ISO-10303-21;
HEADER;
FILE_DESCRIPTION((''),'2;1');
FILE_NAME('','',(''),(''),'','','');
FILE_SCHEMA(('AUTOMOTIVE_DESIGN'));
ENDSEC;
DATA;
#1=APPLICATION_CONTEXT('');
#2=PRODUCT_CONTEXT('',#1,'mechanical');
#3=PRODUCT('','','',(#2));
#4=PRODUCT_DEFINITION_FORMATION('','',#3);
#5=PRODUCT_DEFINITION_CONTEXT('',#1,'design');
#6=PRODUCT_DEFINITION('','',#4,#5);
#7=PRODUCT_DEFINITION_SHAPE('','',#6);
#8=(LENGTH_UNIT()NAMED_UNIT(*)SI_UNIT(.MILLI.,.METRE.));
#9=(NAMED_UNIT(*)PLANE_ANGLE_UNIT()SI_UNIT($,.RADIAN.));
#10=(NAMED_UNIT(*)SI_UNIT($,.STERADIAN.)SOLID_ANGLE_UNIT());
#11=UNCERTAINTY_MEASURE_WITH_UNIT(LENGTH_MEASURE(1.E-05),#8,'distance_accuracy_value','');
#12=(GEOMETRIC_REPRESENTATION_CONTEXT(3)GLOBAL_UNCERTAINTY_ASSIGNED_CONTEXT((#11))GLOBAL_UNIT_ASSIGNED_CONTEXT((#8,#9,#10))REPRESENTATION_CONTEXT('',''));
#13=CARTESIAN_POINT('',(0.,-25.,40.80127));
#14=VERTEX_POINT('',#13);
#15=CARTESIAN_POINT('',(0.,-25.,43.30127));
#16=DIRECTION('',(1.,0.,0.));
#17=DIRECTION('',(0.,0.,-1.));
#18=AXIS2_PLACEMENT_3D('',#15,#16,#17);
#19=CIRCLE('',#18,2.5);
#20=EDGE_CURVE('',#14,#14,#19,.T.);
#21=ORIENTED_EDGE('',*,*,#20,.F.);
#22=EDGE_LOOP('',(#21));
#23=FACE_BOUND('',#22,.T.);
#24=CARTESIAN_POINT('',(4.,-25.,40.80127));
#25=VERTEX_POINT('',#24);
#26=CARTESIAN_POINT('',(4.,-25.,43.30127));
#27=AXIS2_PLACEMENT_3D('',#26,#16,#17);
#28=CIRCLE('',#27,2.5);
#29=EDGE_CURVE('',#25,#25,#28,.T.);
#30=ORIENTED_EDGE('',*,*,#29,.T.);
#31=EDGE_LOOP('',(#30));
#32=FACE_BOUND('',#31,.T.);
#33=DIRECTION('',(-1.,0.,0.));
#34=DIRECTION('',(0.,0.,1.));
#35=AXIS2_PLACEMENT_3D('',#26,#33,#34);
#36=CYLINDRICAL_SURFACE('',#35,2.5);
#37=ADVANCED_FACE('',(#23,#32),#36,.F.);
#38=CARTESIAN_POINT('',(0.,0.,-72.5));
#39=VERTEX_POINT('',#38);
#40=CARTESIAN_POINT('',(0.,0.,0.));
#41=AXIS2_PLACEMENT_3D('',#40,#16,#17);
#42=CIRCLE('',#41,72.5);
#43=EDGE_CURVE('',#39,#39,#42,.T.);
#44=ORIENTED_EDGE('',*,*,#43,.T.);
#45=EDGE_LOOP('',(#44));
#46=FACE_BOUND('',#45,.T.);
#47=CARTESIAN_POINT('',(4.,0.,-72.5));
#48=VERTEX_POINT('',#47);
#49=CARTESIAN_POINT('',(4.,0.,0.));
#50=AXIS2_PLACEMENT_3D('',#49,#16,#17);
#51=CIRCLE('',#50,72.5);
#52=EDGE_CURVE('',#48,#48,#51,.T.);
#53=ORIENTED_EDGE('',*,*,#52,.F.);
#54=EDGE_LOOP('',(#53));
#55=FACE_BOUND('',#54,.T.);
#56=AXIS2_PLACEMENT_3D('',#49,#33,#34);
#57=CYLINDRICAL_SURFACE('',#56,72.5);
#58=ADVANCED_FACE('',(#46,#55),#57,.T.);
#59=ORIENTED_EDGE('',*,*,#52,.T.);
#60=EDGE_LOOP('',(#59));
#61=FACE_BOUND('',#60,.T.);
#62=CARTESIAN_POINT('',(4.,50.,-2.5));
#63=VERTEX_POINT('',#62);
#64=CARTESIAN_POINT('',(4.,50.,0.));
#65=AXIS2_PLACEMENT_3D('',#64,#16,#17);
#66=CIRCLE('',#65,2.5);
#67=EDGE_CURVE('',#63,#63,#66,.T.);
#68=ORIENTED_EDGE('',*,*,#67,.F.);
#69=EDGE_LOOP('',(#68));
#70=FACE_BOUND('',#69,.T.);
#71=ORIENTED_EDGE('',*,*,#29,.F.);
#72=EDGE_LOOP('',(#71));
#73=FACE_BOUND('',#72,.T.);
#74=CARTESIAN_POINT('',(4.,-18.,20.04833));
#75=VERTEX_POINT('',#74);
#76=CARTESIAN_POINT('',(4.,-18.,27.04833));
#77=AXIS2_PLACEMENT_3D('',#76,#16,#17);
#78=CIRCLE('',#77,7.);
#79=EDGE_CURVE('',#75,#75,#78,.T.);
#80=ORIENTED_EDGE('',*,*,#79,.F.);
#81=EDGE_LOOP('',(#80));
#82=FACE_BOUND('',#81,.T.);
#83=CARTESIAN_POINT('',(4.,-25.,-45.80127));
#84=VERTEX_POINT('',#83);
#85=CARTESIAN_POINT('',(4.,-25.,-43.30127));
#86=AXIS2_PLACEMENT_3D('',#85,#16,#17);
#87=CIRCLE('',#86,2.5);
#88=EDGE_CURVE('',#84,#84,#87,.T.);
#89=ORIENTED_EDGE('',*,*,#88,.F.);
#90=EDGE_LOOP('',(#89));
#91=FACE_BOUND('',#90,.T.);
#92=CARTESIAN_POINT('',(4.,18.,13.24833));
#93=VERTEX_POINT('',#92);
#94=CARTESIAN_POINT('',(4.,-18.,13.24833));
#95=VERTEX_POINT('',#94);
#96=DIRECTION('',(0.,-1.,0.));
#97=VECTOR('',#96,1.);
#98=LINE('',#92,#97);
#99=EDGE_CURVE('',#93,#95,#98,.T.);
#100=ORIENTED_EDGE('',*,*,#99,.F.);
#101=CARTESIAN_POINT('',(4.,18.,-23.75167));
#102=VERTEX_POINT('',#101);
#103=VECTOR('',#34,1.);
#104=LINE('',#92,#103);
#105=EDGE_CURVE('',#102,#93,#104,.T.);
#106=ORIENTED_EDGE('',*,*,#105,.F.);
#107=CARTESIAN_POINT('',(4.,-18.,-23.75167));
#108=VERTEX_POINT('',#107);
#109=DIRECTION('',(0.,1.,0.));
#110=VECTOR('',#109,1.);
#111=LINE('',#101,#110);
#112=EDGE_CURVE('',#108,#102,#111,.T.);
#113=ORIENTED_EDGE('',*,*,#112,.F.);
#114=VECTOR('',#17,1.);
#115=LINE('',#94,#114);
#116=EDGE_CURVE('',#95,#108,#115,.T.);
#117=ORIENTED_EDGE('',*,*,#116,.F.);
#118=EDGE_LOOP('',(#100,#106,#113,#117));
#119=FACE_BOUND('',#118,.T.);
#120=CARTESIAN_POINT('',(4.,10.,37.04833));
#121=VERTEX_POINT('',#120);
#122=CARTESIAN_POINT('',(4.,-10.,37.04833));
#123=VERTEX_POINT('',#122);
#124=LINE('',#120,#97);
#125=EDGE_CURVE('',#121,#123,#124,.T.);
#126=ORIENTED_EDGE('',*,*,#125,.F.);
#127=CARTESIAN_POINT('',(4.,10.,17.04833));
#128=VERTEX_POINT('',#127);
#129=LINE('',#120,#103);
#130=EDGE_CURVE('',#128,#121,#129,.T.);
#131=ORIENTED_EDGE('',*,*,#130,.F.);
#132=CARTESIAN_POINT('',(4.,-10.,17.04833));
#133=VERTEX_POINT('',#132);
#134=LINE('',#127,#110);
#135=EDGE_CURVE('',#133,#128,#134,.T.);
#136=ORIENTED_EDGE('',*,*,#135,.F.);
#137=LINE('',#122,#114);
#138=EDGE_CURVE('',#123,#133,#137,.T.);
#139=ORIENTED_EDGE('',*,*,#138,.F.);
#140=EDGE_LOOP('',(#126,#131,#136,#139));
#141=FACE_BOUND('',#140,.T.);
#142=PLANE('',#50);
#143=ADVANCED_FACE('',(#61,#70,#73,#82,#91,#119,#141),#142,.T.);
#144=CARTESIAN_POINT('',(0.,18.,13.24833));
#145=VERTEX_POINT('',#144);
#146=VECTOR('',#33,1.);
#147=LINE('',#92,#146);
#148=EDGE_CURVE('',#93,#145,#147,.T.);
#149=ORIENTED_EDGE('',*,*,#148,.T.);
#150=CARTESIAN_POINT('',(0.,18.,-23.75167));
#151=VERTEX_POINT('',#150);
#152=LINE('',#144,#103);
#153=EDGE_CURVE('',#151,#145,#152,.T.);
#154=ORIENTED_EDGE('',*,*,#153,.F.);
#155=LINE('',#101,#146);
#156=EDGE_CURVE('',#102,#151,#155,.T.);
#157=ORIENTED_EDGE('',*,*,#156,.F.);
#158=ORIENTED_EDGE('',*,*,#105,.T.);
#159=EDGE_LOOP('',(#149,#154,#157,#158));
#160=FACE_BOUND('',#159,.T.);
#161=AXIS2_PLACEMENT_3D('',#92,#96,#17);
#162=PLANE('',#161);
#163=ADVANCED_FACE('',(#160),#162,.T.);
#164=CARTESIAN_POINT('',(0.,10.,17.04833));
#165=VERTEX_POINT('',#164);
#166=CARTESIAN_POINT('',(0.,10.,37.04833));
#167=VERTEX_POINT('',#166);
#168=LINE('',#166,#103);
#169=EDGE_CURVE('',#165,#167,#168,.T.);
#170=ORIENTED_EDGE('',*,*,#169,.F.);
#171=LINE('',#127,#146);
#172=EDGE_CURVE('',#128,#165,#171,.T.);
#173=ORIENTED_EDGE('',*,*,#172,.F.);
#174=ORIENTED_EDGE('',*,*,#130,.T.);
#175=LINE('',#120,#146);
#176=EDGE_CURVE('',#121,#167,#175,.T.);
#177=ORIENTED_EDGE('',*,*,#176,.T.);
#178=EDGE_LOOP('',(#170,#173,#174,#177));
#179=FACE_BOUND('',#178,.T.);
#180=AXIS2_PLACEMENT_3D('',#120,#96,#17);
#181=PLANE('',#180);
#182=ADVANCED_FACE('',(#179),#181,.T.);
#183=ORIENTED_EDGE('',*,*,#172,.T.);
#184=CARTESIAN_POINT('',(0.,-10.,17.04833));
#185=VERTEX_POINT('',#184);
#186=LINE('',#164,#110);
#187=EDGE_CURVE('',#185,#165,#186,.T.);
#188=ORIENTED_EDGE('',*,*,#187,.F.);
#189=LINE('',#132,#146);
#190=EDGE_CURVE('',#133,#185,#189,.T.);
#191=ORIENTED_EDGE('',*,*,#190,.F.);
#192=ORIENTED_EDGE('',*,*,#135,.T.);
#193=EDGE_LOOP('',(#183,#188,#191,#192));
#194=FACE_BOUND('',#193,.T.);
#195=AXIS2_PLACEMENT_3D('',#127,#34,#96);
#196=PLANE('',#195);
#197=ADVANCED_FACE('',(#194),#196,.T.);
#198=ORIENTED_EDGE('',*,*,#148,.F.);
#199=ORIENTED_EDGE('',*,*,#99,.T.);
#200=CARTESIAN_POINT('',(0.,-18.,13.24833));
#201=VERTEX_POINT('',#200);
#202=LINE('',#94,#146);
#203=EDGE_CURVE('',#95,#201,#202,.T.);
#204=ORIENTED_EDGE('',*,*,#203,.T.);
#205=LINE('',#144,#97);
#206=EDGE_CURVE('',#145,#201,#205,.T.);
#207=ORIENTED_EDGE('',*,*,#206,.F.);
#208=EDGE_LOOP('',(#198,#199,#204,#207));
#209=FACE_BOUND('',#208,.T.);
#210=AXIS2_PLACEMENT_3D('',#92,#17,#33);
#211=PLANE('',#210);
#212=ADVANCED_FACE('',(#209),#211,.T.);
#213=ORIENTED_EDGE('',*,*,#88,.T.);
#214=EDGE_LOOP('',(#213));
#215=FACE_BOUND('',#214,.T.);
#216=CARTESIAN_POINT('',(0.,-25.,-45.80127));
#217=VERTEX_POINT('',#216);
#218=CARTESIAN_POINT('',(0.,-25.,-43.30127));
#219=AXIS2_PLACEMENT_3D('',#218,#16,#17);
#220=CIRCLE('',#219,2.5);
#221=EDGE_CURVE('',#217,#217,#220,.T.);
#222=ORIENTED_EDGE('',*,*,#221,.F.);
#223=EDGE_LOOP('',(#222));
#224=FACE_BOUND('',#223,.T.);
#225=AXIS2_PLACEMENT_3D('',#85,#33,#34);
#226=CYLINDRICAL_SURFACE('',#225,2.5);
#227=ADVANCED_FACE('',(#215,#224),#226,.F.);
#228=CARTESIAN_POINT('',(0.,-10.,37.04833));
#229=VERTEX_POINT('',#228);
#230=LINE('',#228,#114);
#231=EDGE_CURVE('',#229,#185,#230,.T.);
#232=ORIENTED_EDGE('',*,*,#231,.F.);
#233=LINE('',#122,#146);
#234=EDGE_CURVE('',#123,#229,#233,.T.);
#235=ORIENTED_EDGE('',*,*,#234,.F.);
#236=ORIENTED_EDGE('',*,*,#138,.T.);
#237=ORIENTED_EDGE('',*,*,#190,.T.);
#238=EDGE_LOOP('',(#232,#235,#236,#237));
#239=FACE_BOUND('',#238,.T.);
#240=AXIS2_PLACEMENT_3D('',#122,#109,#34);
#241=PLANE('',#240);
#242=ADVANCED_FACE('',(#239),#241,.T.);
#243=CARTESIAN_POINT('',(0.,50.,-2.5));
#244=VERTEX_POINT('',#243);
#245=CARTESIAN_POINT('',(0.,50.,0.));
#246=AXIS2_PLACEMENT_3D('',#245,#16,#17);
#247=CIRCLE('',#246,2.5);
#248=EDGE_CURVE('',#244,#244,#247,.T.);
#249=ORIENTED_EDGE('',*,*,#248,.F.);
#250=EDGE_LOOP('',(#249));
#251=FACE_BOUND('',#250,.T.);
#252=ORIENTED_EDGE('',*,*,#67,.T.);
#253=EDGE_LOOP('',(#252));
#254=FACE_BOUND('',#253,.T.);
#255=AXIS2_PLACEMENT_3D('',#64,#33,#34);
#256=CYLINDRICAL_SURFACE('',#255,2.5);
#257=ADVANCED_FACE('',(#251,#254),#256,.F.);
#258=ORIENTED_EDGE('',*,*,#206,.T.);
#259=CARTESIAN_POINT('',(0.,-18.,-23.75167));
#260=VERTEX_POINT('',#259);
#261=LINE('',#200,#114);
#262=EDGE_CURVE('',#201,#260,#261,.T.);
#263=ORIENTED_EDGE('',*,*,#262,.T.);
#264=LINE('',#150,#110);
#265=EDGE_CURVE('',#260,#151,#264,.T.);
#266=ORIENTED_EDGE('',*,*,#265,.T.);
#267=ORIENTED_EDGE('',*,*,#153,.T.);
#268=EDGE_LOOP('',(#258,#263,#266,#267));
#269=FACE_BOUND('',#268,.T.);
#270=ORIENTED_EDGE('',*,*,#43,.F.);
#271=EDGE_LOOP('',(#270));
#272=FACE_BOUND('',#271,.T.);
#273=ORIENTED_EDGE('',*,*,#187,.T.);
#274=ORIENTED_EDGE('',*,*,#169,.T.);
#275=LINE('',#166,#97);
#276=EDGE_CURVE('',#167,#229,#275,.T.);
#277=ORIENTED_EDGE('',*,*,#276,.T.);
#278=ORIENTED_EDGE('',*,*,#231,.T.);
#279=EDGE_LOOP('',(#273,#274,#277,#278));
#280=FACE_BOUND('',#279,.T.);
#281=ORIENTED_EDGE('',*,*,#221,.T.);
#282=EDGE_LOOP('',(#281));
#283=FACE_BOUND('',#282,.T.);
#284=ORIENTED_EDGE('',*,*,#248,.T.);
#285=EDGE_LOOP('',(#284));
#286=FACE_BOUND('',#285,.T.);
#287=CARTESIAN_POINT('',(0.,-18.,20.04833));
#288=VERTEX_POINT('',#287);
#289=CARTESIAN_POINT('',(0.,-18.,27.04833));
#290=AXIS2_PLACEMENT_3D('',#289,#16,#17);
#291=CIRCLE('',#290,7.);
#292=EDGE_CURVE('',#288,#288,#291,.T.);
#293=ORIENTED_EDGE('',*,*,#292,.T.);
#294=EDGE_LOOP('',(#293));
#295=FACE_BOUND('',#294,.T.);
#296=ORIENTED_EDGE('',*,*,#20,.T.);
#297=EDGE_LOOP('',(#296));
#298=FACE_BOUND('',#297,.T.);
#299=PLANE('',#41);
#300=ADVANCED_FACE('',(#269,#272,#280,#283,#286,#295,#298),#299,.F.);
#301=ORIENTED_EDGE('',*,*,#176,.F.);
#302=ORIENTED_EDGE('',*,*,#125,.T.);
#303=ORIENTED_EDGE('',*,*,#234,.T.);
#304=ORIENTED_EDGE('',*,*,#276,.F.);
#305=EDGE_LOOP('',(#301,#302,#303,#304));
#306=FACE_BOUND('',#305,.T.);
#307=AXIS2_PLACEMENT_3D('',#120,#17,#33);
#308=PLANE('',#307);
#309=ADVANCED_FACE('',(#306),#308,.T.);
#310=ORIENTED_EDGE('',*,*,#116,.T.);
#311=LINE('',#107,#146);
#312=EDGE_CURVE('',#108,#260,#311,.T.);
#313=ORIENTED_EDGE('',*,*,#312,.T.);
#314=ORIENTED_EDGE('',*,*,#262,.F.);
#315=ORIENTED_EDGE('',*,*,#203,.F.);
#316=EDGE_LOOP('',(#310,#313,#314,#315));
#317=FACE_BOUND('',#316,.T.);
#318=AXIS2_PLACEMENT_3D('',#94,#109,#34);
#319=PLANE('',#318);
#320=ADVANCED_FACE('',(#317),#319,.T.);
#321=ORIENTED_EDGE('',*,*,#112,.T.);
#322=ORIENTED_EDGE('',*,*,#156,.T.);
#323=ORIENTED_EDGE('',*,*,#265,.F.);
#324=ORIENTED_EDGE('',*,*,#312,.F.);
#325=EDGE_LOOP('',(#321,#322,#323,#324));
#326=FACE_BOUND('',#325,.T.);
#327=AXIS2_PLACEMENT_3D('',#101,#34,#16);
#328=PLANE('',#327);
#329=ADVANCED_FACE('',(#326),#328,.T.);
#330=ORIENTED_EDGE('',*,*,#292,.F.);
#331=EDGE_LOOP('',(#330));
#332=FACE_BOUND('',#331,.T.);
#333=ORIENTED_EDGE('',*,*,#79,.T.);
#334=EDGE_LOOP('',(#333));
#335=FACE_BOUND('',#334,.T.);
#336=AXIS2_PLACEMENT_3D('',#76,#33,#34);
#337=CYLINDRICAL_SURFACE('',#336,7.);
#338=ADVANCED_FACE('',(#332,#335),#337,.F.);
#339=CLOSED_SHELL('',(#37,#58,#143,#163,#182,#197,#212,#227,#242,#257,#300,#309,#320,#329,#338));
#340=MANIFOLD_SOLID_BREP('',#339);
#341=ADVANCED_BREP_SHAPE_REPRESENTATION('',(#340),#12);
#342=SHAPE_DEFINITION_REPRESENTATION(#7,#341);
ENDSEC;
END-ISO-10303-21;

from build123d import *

# Parameters (mm, degrees)
SKETCH1_R           = 72.5
SKETCH1_R_2         = 7
SKETCH1_R_3         = 2.5
SKETCH1_W           = 37
SKETCH1_H           = 36
SKETCH1_W_2         = 20
SKETCH1_H_2         = 20
BOSS_EXTRUDE1_DEPTH = 4


with BuildPart() as part:
    # Sketch1 → Boss-Extrude1 (new body)
    with BuildSketch(Plane(origin=(0, 0, 0), x_dir=(0, 0, -1), z_dir=(1, 0, 0))):
        Circle(SKETCH1_R)
        with Locations((-27.048330148, -18)):
            Circle(SKETCH1_R_2, mode=Mode.SUBTRACT)
        with Locations((0, 50)):
            Circle(SKETCH1_R_3, mode=Mode.SUBTRACT)
        with Locations((43.301270189, -25)):
            Circle(SKETCH1_R_3, mode=Mode.SUBTRACT)
        with Locations((-43.301270189, -25)):
            Circle(SKETCH1_R_3, mode=Mode.SUBTRACT)
        with Locations((5.251669852, 0)):
            Rectangle(SKETCH1_W, SKETCH1_H, mode=Mode.SUBTRACT)
        with Locations((-27.048330148, 0)):
            Rectangle(SKETCH1_W_2, SKETCH1_H_2, mode=Mode.SUBTRACT)
    extrude(amount=BOSS_EXTRUDE1_DEPTH)


solid = part.part
